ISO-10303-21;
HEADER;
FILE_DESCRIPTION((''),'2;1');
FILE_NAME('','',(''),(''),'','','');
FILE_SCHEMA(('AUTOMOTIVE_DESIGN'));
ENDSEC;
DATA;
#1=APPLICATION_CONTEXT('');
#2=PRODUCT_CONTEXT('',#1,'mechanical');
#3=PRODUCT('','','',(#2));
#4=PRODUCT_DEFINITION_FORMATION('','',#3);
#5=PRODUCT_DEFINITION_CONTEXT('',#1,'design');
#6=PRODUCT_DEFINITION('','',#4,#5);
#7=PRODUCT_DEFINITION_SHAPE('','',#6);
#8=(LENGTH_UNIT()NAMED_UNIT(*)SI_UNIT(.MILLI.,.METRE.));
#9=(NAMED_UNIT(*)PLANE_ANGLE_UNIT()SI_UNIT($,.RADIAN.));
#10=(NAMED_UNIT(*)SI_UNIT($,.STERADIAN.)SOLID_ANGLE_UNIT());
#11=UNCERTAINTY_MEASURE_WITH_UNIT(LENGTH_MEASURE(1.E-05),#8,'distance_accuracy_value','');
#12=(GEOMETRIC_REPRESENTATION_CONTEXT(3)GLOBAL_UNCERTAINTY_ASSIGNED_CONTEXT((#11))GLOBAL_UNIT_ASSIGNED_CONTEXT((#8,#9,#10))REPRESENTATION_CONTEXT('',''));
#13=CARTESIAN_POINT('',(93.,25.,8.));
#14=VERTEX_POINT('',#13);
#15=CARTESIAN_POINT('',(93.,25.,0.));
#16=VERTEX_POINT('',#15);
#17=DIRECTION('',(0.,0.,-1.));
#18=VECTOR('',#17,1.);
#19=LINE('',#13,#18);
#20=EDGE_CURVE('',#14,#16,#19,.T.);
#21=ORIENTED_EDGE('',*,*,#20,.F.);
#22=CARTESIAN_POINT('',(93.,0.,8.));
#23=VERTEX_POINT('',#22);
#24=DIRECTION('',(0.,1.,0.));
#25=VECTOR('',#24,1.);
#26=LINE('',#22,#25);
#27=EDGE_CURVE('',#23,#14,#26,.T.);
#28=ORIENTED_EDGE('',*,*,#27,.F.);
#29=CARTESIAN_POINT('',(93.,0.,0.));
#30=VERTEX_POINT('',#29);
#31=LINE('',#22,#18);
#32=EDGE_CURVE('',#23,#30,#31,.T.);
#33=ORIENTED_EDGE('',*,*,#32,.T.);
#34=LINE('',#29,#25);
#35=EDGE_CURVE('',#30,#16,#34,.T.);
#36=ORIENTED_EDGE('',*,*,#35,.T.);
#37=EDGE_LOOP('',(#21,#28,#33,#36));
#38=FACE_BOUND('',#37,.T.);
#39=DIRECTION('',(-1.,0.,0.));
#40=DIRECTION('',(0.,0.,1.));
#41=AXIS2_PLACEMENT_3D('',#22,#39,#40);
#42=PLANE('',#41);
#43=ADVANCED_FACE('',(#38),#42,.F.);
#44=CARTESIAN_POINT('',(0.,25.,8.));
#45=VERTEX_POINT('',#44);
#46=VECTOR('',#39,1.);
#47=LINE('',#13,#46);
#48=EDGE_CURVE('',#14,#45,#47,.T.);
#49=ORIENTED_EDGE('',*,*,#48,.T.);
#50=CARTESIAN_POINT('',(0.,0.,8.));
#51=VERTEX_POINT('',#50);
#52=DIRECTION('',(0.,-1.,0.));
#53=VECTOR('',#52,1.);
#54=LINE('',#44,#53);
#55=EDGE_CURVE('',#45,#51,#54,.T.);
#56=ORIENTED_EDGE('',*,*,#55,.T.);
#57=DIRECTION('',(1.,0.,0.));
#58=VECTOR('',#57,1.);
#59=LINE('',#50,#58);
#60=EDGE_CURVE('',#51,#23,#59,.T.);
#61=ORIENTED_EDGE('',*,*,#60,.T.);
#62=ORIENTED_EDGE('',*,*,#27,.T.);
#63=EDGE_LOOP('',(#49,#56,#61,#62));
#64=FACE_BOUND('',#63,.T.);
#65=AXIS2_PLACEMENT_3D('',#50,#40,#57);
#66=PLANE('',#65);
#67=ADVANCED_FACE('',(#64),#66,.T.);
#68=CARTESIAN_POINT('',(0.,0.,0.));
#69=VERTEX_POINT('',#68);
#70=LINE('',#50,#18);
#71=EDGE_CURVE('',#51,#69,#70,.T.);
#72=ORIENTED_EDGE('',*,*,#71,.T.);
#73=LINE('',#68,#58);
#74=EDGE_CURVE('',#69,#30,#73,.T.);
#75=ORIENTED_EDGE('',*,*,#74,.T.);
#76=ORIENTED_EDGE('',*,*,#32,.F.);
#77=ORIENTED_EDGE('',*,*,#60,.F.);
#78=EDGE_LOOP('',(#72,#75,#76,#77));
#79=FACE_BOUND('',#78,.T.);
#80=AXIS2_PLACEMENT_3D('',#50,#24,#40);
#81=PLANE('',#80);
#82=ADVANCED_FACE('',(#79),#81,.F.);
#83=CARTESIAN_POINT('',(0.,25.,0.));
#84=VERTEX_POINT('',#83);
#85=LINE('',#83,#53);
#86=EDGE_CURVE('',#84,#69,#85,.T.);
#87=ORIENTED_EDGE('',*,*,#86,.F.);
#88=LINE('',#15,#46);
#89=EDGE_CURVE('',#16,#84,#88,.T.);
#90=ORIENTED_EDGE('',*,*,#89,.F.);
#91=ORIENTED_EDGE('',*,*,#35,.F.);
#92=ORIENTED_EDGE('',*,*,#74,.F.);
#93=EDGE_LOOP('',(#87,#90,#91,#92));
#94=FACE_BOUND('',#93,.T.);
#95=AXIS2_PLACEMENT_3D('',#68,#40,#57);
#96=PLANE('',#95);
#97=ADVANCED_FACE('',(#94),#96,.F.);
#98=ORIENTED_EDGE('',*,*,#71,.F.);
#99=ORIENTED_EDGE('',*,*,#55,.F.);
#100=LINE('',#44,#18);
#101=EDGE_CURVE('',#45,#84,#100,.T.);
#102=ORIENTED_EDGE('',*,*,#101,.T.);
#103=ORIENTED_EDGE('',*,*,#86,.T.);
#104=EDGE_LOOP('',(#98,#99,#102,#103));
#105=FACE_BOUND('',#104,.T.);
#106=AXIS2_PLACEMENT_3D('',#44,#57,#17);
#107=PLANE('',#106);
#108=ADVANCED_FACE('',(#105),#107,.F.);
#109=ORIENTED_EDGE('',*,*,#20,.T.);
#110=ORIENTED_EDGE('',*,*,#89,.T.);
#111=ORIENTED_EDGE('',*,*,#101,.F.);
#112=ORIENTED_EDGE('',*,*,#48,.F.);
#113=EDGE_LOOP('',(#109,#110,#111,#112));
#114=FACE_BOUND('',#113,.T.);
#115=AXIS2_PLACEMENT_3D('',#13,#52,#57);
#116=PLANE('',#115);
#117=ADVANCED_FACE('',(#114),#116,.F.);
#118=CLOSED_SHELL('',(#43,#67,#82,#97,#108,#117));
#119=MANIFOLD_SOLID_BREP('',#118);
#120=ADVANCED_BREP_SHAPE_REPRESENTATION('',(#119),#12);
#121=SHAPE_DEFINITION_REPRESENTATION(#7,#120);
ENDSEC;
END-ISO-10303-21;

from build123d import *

# Parameters (mm, degrees)
ESBO_O_PESO_W        = 93
ESBO_O_PESO_H        = 25
EXTRUSS_O_PESO_DEPTH = 8


with BuildPart() as part:
    # Esboço_peso → Extrussão_peso (new body)
    with BuildSketch(Plane.XY):
        with Locations((46.5, 12.5)):
            Rectangle(ESBO_O_PESO_W, ESBO_O_PESO_H)
    extrude(amount=EXTRUSS_O_PESO_DEPTH)


solid = part.part
